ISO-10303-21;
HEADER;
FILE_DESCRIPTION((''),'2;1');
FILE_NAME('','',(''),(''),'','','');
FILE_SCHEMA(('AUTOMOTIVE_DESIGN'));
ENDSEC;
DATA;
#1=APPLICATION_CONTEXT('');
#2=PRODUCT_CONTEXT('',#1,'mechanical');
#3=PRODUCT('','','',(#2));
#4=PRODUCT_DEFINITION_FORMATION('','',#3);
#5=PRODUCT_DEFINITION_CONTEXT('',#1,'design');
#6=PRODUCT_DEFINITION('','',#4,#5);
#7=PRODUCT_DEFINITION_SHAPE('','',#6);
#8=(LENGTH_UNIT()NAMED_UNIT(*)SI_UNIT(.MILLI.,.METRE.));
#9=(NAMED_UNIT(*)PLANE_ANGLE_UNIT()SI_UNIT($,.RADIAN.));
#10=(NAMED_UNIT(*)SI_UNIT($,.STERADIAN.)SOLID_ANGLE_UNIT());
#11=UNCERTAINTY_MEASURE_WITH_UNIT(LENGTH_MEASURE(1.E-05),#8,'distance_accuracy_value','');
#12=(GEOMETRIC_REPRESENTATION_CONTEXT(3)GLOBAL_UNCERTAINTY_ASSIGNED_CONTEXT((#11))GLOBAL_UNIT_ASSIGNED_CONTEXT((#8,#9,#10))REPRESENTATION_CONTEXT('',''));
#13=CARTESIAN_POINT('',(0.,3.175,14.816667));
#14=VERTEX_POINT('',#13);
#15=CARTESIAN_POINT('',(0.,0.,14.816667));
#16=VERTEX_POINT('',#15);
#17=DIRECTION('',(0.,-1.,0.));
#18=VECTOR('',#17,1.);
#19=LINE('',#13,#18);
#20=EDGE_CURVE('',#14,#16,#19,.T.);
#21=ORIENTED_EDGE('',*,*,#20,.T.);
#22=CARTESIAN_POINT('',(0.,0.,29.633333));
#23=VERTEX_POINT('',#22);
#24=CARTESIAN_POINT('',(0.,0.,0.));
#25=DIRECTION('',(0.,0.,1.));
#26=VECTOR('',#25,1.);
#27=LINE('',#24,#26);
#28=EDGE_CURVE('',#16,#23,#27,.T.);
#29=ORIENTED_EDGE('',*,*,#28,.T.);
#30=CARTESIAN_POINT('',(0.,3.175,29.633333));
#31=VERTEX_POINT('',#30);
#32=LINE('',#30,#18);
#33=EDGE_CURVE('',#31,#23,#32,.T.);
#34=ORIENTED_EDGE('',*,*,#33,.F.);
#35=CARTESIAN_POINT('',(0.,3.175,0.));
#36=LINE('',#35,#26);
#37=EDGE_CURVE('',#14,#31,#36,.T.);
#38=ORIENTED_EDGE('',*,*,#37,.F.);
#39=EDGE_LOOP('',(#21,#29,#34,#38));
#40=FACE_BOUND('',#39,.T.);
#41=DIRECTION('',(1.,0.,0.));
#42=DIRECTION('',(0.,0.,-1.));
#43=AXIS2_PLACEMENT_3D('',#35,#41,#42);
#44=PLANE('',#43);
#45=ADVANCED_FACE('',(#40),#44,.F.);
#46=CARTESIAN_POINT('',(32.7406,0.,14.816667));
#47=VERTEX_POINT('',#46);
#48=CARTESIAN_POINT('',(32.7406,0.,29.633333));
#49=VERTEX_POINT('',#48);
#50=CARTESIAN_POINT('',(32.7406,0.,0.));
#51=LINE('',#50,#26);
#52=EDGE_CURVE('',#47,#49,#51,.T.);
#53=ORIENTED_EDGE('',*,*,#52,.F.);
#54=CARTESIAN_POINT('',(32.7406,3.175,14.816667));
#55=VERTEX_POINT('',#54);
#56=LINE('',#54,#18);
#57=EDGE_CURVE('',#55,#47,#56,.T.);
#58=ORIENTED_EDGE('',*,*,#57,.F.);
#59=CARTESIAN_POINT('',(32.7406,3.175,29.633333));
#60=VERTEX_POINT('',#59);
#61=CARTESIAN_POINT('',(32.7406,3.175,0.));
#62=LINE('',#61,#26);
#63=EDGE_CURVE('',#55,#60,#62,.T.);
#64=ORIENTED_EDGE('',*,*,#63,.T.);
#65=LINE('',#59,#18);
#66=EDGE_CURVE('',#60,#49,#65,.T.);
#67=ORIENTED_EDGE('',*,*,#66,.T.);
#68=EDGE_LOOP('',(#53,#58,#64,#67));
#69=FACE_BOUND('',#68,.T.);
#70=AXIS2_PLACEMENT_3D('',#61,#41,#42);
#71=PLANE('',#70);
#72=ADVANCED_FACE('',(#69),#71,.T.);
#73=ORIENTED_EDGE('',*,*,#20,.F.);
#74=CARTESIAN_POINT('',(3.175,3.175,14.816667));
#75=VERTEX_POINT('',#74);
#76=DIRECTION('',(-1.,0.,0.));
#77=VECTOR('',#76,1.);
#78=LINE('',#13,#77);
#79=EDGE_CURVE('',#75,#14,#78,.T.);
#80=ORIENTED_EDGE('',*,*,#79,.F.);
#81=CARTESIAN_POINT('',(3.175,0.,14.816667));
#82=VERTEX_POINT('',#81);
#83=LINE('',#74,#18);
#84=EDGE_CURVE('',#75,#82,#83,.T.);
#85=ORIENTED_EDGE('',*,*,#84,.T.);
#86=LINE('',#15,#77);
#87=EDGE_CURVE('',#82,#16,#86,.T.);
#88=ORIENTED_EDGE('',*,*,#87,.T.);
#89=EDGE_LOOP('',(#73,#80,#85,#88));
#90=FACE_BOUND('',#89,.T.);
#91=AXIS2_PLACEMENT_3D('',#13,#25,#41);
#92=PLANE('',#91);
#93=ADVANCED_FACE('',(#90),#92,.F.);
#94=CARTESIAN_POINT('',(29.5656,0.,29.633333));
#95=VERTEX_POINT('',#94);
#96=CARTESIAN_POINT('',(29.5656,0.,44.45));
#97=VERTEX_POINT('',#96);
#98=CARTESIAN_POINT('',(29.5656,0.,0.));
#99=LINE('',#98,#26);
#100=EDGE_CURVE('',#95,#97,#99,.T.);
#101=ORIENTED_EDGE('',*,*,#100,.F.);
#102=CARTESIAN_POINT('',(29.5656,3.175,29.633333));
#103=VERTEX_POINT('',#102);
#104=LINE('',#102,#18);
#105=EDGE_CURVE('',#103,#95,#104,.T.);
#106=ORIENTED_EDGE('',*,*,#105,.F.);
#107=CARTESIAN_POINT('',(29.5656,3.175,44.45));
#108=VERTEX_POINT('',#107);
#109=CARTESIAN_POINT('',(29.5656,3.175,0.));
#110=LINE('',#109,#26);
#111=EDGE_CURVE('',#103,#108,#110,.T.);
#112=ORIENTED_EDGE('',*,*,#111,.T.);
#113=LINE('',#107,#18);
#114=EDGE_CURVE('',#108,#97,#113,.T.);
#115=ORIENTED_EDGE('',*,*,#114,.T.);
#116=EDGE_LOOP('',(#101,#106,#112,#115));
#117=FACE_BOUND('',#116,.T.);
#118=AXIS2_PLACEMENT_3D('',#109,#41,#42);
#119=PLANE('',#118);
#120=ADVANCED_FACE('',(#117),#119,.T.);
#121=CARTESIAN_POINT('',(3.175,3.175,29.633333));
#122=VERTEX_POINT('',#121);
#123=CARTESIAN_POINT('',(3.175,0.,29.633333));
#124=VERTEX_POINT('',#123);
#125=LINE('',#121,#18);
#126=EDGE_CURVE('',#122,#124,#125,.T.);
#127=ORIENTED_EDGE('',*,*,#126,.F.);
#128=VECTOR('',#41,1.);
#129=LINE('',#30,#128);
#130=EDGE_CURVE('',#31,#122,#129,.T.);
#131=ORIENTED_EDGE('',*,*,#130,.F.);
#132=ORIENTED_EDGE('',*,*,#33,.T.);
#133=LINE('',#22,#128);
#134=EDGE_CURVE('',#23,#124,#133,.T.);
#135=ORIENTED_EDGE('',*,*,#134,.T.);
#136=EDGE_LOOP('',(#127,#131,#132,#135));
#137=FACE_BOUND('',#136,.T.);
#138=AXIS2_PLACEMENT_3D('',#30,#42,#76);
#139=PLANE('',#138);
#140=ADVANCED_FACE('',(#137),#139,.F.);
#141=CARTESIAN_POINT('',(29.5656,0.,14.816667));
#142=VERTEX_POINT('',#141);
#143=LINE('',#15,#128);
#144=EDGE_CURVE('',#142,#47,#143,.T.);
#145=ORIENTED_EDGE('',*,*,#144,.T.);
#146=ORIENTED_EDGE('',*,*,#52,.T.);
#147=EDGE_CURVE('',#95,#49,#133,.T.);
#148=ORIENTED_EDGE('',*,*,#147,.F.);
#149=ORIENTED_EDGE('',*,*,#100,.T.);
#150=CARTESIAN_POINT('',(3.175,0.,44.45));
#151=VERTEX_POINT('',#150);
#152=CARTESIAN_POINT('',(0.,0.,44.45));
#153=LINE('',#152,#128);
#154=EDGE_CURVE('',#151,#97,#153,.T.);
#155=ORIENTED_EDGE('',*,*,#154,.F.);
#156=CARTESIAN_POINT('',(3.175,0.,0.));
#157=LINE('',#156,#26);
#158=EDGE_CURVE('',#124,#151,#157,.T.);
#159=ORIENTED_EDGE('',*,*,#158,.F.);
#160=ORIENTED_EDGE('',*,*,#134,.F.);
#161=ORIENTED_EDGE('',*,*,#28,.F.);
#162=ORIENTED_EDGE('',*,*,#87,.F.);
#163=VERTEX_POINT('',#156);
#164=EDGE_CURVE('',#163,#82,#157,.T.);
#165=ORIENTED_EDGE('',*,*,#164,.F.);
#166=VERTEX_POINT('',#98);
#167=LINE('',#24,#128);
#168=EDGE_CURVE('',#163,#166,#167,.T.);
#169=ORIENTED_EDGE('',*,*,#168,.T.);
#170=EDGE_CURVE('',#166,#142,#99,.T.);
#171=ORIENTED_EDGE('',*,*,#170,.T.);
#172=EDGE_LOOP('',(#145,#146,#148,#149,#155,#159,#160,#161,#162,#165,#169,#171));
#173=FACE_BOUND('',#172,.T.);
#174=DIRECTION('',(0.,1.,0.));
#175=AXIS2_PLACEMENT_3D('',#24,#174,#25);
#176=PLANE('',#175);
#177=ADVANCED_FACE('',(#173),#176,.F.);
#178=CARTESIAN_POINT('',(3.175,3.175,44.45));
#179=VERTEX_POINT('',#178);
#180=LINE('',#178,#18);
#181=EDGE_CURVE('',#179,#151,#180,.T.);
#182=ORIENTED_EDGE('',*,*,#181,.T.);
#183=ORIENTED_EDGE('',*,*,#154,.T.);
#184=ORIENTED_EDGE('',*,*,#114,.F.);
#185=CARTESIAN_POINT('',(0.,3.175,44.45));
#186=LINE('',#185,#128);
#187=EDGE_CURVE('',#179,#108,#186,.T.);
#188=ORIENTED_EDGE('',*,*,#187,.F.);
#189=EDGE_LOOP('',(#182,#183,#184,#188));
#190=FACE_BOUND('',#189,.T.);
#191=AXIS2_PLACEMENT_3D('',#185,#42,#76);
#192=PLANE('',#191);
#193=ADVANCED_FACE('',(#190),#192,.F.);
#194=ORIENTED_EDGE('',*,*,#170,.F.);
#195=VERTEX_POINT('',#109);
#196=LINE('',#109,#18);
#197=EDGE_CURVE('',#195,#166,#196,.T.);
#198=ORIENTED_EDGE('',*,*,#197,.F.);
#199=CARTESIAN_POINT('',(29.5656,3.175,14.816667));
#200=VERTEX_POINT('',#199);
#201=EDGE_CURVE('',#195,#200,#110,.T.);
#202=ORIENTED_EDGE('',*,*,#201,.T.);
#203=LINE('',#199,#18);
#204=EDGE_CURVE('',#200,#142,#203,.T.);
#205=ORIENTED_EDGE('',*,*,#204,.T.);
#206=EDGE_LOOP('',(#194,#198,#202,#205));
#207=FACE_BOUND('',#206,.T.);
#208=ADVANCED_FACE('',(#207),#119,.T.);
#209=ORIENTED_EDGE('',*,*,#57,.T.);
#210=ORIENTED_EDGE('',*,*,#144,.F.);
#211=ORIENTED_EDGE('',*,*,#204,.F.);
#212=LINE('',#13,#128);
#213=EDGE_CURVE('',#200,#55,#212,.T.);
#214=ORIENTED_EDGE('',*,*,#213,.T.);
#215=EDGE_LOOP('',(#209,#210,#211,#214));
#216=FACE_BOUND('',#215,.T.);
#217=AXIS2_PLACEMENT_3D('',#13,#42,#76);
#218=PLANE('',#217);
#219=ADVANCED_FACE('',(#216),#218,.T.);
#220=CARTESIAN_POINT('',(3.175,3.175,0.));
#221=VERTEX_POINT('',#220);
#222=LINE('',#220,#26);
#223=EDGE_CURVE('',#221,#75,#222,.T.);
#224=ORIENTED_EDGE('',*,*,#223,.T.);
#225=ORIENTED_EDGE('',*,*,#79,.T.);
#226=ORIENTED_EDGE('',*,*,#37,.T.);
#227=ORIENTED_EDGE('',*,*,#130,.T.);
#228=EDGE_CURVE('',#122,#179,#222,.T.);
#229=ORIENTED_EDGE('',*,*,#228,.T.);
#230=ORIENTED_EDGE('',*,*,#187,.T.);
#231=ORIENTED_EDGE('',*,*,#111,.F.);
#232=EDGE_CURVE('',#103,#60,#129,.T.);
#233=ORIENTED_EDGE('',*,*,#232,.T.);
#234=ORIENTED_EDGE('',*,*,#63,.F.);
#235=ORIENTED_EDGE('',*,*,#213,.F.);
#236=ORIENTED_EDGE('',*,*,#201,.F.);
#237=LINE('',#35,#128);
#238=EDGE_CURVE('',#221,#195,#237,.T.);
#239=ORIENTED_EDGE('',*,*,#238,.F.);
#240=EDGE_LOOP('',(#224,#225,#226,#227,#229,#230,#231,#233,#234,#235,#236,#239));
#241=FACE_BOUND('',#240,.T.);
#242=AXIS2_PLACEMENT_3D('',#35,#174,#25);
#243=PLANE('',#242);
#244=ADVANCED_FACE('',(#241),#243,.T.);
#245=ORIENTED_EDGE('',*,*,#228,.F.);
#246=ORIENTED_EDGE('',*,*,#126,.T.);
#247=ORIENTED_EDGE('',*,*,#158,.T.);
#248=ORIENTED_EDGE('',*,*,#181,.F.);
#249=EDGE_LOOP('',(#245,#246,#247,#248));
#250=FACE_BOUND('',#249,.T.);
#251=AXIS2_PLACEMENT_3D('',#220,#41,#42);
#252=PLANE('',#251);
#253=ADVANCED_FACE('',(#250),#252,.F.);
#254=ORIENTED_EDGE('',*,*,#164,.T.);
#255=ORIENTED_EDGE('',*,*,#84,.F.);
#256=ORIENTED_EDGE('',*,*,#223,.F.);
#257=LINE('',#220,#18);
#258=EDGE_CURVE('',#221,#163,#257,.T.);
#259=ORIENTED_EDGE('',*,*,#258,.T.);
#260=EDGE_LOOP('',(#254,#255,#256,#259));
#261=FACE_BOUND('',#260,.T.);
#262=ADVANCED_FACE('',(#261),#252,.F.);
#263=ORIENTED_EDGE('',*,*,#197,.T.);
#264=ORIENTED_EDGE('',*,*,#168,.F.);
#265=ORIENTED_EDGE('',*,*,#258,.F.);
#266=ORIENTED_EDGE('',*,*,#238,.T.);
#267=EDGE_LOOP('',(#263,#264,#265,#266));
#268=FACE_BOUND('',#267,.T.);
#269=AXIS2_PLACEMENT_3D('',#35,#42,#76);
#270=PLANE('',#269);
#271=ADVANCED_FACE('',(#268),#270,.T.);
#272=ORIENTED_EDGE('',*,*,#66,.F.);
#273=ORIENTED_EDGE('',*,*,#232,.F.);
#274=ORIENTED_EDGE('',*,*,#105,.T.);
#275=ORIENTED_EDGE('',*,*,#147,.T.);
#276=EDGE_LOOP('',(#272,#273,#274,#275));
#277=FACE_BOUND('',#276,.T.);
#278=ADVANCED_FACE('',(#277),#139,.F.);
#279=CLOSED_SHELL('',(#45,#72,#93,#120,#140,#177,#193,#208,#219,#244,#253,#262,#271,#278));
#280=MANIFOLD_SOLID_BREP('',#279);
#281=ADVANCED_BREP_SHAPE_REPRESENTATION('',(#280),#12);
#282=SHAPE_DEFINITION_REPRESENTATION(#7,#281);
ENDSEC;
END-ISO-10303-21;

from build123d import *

# Parameters (mm, degrees)
BOSS_EXTRUDE2_DEPTH = 3.175


with BuildPart() as part:
    # Sketch1 → Boss-Extrude2 (new body)
    with BuildSketch(Plane(origin=(0, 0, 0), x_dir=(1, 0, 0), z_dir=(0, 1, 0))):
        Polygon((0, -29.633333333), (3.175, -29.633333333), (3.175, -44.45), (29.5656, -44.45), (29.5656, -29.633333333), (32.7406, -29.633333333), (32.7406, -14.816666667), (29.5656, -14.816666667), (29.5656, 0), (3.175, 0), (3.175, -14.816666667), (0, -14.816666667), align=None)
    extrude(amount=BOSS_EXTRUDE2_DEPTH)


solid = part.part
